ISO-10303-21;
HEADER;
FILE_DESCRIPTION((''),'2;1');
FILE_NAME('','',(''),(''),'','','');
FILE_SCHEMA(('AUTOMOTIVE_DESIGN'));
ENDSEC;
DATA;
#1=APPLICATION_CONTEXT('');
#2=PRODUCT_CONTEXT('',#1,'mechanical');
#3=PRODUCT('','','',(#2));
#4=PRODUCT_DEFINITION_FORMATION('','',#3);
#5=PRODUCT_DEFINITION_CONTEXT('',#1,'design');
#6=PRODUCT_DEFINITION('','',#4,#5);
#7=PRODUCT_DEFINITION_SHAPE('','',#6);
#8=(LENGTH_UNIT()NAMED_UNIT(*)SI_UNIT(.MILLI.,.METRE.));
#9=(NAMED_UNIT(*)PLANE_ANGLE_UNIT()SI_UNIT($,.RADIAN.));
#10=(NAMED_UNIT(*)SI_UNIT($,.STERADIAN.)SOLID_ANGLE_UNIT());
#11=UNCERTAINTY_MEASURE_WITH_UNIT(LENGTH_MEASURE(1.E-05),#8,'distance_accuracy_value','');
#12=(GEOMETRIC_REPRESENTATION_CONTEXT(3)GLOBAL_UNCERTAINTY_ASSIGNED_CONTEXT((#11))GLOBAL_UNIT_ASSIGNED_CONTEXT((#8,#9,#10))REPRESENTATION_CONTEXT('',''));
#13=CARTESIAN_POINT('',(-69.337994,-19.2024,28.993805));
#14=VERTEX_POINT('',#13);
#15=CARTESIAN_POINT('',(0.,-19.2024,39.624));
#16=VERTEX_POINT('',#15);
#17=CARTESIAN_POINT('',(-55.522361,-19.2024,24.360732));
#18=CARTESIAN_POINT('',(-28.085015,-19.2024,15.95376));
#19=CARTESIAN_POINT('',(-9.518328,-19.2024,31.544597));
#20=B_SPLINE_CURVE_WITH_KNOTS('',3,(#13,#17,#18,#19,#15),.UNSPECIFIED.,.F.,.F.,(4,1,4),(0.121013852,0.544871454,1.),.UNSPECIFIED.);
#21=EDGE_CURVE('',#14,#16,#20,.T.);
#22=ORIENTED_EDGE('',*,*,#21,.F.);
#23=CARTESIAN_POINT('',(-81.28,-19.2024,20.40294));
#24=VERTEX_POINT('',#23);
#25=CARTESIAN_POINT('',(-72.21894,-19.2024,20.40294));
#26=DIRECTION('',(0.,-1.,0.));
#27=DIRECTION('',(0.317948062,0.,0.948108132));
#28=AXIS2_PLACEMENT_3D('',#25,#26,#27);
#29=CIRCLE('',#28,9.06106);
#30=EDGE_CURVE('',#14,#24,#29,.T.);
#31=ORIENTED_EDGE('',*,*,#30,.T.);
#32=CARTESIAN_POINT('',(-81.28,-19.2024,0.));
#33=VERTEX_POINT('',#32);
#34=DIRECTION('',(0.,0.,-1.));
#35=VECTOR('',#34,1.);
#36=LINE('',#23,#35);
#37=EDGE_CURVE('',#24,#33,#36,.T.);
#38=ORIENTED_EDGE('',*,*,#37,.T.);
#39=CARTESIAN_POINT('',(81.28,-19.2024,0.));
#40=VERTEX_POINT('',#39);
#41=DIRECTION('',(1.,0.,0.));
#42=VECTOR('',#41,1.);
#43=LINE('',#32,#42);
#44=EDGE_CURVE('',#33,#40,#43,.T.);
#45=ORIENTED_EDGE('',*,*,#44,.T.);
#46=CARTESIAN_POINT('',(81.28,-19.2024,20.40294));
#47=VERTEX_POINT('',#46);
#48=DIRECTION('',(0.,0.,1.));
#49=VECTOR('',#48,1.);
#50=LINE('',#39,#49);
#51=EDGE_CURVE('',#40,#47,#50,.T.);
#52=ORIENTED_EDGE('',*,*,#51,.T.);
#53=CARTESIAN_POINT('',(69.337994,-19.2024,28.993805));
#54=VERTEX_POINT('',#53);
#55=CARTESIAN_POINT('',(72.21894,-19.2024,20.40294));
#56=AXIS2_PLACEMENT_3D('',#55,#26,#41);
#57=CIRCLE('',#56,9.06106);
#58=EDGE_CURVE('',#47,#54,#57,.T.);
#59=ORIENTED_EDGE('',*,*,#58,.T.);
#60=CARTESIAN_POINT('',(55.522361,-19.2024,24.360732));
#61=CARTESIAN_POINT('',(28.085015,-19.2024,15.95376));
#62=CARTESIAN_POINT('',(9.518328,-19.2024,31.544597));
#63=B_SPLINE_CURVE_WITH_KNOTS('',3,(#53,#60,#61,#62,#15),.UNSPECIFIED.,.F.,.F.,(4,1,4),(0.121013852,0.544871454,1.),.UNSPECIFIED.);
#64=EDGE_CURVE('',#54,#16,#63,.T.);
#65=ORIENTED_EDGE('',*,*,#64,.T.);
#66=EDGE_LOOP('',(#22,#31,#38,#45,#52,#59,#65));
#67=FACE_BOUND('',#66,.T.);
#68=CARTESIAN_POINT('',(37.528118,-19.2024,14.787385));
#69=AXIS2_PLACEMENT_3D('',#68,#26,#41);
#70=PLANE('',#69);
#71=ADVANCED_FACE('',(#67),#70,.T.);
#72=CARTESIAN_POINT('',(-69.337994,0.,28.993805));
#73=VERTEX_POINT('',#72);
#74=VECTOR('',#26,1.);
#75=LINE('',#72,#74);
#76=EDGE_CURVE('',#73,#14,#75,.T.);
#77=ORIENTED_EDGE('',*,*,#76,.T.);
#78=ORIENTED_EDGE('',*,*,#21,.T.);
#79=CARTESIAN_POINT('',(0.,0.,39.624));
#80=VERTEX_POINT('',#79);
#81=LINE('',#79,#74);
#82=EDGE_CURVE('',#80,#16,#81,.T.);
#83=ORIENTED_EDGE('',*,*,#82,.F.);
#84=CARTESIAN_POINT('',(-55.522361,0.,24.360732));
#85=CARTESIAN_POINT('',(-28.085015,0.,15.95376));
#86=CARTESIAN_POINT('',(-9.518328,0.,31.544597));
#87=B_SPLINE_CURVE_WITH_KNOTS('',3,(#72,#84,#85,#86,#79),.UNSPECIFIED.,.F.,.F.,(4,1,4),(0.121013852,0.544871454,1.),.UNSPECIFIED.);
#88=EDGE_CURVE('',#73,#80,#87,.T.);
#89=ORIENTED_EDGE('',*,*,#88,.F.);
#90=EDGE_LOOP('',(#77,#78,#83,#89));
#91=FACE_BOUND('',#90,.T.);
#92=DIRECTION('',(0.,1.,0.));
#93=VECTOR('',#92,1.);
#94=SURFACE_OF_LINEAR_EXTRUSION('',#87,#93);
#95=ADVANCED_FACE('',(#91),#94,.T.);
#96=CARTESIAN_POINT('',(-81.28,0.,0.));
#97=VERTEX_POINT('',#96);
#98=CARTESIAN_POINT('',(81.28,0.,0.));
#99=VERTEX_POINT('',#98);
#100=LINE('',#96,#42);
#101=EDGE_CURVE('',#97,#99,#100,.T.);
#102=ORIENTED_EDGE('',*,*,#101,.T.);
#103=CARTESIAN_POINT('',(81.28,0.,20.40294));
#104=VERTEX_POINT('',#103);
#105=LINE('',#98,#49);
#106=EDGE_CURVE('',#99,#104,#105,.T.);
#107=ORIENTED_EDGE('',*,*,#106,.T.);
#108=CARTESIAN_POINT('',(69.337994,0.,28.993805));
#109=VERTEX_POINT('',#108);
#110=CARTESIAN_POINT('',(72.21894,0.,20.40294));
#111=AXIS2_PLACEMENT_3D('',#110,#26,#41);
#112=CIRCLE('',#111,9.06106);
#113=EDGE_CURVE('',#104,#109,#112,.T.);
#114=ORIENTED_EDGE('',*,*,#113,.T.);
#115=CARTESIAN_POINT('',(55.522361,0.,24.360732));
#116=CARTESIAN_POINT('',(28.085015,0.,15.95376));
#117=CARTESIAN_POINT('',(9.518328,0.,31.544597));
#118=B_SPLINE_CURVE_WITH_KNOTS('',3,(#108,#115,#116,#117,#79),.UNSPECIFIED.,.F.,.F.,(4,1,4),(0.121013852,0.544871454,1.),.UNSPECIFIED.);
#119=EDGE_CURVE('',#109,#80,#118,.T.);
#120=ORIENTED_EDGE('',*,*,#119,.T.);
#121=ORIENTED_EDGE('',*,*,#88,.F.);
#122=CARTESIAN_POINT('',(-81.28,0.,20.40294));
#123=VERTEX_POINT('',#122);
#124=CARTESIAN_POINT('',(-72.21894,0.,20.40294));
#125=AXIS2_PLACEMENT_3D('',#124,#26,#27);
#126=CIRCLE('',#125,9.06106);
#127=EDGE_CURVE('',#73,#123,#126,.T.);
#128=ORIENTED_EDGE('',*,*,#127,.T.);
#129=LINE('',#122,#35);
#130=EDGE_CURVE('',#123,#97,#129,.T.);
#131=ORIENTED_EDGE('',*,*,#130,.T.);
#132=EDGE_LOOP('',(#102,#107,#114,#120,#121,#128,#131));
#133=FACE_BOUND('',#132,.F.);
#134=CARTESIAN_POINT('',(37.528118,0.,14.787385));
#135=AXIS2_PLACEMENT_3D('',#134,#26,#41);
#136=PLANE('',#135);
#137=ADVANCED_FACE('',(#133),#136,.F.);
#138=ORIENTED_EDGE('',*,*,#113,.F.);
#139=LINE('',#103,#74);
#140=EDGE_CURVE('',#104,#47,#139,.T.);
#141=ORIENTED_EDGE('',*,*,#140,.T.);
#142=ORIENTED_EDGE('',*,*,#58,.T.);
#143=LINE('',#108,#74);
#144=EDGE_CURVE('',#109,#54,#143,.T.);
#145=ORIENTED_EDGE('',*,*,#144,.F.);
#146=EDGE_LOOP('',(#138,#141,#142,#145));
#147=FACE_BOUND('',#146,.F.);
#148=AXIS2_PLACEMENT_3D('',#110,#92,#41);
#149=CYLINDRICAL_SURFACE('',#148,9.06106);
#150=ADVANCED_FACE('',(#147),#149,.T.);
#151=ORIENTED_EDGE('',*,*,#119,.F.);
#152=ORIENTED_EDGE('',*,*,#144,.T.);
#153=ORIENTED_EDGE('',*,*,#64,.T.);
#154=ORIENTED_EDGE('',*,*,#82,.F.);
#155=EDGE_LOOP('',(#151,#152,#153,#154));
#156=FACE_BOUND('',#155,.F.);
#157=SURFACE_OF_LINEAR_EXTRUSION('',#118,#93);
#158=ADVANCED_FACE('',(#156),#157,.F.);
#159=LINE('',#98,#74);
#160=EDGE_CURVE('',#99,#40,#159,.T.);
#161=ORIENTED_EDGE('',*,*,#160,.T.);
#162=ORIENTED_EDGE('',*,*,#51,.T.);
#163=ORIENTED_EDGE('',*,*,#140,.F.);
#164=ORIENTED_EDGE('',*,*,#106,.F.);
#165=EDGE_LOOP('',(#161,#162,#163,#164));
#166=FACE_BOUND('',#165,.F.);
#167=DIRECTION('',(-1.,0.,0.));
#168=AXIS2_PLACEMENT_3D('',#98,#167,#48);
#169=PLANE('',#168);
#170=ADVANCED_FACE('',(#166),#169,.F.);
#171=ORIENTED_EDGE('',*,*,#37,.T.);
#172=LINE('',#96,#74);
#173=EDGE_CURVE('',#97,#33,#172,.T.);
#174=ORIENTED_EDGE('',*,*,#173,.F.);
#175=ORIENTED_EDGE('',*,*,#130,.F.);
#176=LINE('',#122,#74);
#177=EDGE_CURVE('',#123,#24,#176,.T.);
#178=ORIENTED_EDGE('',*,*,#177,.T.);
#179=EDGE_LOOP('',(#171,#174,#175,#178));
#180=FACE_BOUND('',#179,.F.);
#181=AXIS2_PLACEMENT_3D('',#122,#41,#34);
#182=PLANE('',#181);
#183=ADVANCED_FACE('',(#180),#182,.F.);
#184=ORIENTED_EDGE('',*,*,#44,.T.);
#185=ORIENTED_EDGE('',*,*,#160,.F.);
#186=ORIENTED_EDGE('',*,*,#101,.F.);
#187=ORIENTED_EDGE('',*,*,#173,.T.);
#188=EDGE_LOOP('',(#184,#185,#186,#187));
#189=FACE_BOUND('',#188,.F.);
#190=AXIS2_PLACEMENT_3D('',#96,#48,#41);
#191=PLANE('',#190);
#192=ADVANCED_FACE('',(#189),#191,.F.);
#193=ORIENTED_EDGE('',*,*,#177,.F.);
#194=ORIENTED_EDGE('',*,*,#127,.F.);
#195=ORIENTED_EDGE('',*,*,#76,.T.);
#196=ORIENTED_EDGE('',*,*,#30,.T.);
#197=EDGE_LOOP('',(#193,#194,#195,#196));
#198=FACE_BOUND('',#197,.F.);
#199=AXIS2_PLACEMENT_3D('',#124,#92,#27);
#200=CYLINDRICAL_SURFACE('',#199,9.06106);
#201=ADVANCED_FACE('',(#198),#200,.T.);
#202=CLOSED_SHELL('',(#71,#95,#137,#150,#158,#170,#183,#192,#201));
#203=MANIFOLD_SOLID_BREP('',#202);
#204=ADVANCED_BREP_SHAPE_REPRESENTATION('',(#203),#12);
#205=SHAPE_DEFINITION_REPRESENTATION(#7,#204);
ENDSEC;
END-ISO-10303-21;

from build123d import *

# Parameters (mm, degrees)
F1_DEPTH = 19.2024


with BuildPart() as f1:
    # F0 (on Front) → F1 (new body)
    with BuildSketch(Plane.XZ):
        with BuildLine():
            Line((0, 39.624), (0, 0))
            Line((0, 0), (81.28, 0))
            Line((81.28, 0), (81.28, 20.4029402157))
            ThreePointArc((81.28, 20.4029402157), (77.5103661511, 27.7584562401), (69.3379938168, 28.993804681))
            add(Edge.make_bspline(
                [(69.3379938168, 28.993804681), (55.5223609657, 24.3607322036), (28.0850147811, 15.9537603379), (9.5183281909, 31.5445973666), (0, 39.624)],
                knots=[0.1210138518, 0.1210138518, 0.1210138518, 0.1210138518, 0.5448714545, 1, 1, 1, 1], degree=3))
        make_face()
        with BuildLine():
            Line((-81.28, 0), (0, 0))
            Line((0, 0), (0, 39.624))
            add(Edge.make_bspline(
                [(-69.3379938168, 28.993804681), (-55.5223609657, 24.3607322036), (-28.0850147811, 15.9537603379), (-9.5183281909, 31.5445973666), (0, 39.624)],
                knots=[0.1210138518, 0.1210138518, 0.1210138518, 0.1210138518, 0.5448714545, 1, 1, 1, 1], degree=3))
            ThreePointArc((-69.3379938168, 28.993804681), (-77.5103661511, 27.7584562401), (-81.28, 20.4029402157))
            Line((-81.28, 20.4029402157), (-81.28, 0))
        make_face()
    extrude(amount=F1_DEPTH)


solid = f1.part
